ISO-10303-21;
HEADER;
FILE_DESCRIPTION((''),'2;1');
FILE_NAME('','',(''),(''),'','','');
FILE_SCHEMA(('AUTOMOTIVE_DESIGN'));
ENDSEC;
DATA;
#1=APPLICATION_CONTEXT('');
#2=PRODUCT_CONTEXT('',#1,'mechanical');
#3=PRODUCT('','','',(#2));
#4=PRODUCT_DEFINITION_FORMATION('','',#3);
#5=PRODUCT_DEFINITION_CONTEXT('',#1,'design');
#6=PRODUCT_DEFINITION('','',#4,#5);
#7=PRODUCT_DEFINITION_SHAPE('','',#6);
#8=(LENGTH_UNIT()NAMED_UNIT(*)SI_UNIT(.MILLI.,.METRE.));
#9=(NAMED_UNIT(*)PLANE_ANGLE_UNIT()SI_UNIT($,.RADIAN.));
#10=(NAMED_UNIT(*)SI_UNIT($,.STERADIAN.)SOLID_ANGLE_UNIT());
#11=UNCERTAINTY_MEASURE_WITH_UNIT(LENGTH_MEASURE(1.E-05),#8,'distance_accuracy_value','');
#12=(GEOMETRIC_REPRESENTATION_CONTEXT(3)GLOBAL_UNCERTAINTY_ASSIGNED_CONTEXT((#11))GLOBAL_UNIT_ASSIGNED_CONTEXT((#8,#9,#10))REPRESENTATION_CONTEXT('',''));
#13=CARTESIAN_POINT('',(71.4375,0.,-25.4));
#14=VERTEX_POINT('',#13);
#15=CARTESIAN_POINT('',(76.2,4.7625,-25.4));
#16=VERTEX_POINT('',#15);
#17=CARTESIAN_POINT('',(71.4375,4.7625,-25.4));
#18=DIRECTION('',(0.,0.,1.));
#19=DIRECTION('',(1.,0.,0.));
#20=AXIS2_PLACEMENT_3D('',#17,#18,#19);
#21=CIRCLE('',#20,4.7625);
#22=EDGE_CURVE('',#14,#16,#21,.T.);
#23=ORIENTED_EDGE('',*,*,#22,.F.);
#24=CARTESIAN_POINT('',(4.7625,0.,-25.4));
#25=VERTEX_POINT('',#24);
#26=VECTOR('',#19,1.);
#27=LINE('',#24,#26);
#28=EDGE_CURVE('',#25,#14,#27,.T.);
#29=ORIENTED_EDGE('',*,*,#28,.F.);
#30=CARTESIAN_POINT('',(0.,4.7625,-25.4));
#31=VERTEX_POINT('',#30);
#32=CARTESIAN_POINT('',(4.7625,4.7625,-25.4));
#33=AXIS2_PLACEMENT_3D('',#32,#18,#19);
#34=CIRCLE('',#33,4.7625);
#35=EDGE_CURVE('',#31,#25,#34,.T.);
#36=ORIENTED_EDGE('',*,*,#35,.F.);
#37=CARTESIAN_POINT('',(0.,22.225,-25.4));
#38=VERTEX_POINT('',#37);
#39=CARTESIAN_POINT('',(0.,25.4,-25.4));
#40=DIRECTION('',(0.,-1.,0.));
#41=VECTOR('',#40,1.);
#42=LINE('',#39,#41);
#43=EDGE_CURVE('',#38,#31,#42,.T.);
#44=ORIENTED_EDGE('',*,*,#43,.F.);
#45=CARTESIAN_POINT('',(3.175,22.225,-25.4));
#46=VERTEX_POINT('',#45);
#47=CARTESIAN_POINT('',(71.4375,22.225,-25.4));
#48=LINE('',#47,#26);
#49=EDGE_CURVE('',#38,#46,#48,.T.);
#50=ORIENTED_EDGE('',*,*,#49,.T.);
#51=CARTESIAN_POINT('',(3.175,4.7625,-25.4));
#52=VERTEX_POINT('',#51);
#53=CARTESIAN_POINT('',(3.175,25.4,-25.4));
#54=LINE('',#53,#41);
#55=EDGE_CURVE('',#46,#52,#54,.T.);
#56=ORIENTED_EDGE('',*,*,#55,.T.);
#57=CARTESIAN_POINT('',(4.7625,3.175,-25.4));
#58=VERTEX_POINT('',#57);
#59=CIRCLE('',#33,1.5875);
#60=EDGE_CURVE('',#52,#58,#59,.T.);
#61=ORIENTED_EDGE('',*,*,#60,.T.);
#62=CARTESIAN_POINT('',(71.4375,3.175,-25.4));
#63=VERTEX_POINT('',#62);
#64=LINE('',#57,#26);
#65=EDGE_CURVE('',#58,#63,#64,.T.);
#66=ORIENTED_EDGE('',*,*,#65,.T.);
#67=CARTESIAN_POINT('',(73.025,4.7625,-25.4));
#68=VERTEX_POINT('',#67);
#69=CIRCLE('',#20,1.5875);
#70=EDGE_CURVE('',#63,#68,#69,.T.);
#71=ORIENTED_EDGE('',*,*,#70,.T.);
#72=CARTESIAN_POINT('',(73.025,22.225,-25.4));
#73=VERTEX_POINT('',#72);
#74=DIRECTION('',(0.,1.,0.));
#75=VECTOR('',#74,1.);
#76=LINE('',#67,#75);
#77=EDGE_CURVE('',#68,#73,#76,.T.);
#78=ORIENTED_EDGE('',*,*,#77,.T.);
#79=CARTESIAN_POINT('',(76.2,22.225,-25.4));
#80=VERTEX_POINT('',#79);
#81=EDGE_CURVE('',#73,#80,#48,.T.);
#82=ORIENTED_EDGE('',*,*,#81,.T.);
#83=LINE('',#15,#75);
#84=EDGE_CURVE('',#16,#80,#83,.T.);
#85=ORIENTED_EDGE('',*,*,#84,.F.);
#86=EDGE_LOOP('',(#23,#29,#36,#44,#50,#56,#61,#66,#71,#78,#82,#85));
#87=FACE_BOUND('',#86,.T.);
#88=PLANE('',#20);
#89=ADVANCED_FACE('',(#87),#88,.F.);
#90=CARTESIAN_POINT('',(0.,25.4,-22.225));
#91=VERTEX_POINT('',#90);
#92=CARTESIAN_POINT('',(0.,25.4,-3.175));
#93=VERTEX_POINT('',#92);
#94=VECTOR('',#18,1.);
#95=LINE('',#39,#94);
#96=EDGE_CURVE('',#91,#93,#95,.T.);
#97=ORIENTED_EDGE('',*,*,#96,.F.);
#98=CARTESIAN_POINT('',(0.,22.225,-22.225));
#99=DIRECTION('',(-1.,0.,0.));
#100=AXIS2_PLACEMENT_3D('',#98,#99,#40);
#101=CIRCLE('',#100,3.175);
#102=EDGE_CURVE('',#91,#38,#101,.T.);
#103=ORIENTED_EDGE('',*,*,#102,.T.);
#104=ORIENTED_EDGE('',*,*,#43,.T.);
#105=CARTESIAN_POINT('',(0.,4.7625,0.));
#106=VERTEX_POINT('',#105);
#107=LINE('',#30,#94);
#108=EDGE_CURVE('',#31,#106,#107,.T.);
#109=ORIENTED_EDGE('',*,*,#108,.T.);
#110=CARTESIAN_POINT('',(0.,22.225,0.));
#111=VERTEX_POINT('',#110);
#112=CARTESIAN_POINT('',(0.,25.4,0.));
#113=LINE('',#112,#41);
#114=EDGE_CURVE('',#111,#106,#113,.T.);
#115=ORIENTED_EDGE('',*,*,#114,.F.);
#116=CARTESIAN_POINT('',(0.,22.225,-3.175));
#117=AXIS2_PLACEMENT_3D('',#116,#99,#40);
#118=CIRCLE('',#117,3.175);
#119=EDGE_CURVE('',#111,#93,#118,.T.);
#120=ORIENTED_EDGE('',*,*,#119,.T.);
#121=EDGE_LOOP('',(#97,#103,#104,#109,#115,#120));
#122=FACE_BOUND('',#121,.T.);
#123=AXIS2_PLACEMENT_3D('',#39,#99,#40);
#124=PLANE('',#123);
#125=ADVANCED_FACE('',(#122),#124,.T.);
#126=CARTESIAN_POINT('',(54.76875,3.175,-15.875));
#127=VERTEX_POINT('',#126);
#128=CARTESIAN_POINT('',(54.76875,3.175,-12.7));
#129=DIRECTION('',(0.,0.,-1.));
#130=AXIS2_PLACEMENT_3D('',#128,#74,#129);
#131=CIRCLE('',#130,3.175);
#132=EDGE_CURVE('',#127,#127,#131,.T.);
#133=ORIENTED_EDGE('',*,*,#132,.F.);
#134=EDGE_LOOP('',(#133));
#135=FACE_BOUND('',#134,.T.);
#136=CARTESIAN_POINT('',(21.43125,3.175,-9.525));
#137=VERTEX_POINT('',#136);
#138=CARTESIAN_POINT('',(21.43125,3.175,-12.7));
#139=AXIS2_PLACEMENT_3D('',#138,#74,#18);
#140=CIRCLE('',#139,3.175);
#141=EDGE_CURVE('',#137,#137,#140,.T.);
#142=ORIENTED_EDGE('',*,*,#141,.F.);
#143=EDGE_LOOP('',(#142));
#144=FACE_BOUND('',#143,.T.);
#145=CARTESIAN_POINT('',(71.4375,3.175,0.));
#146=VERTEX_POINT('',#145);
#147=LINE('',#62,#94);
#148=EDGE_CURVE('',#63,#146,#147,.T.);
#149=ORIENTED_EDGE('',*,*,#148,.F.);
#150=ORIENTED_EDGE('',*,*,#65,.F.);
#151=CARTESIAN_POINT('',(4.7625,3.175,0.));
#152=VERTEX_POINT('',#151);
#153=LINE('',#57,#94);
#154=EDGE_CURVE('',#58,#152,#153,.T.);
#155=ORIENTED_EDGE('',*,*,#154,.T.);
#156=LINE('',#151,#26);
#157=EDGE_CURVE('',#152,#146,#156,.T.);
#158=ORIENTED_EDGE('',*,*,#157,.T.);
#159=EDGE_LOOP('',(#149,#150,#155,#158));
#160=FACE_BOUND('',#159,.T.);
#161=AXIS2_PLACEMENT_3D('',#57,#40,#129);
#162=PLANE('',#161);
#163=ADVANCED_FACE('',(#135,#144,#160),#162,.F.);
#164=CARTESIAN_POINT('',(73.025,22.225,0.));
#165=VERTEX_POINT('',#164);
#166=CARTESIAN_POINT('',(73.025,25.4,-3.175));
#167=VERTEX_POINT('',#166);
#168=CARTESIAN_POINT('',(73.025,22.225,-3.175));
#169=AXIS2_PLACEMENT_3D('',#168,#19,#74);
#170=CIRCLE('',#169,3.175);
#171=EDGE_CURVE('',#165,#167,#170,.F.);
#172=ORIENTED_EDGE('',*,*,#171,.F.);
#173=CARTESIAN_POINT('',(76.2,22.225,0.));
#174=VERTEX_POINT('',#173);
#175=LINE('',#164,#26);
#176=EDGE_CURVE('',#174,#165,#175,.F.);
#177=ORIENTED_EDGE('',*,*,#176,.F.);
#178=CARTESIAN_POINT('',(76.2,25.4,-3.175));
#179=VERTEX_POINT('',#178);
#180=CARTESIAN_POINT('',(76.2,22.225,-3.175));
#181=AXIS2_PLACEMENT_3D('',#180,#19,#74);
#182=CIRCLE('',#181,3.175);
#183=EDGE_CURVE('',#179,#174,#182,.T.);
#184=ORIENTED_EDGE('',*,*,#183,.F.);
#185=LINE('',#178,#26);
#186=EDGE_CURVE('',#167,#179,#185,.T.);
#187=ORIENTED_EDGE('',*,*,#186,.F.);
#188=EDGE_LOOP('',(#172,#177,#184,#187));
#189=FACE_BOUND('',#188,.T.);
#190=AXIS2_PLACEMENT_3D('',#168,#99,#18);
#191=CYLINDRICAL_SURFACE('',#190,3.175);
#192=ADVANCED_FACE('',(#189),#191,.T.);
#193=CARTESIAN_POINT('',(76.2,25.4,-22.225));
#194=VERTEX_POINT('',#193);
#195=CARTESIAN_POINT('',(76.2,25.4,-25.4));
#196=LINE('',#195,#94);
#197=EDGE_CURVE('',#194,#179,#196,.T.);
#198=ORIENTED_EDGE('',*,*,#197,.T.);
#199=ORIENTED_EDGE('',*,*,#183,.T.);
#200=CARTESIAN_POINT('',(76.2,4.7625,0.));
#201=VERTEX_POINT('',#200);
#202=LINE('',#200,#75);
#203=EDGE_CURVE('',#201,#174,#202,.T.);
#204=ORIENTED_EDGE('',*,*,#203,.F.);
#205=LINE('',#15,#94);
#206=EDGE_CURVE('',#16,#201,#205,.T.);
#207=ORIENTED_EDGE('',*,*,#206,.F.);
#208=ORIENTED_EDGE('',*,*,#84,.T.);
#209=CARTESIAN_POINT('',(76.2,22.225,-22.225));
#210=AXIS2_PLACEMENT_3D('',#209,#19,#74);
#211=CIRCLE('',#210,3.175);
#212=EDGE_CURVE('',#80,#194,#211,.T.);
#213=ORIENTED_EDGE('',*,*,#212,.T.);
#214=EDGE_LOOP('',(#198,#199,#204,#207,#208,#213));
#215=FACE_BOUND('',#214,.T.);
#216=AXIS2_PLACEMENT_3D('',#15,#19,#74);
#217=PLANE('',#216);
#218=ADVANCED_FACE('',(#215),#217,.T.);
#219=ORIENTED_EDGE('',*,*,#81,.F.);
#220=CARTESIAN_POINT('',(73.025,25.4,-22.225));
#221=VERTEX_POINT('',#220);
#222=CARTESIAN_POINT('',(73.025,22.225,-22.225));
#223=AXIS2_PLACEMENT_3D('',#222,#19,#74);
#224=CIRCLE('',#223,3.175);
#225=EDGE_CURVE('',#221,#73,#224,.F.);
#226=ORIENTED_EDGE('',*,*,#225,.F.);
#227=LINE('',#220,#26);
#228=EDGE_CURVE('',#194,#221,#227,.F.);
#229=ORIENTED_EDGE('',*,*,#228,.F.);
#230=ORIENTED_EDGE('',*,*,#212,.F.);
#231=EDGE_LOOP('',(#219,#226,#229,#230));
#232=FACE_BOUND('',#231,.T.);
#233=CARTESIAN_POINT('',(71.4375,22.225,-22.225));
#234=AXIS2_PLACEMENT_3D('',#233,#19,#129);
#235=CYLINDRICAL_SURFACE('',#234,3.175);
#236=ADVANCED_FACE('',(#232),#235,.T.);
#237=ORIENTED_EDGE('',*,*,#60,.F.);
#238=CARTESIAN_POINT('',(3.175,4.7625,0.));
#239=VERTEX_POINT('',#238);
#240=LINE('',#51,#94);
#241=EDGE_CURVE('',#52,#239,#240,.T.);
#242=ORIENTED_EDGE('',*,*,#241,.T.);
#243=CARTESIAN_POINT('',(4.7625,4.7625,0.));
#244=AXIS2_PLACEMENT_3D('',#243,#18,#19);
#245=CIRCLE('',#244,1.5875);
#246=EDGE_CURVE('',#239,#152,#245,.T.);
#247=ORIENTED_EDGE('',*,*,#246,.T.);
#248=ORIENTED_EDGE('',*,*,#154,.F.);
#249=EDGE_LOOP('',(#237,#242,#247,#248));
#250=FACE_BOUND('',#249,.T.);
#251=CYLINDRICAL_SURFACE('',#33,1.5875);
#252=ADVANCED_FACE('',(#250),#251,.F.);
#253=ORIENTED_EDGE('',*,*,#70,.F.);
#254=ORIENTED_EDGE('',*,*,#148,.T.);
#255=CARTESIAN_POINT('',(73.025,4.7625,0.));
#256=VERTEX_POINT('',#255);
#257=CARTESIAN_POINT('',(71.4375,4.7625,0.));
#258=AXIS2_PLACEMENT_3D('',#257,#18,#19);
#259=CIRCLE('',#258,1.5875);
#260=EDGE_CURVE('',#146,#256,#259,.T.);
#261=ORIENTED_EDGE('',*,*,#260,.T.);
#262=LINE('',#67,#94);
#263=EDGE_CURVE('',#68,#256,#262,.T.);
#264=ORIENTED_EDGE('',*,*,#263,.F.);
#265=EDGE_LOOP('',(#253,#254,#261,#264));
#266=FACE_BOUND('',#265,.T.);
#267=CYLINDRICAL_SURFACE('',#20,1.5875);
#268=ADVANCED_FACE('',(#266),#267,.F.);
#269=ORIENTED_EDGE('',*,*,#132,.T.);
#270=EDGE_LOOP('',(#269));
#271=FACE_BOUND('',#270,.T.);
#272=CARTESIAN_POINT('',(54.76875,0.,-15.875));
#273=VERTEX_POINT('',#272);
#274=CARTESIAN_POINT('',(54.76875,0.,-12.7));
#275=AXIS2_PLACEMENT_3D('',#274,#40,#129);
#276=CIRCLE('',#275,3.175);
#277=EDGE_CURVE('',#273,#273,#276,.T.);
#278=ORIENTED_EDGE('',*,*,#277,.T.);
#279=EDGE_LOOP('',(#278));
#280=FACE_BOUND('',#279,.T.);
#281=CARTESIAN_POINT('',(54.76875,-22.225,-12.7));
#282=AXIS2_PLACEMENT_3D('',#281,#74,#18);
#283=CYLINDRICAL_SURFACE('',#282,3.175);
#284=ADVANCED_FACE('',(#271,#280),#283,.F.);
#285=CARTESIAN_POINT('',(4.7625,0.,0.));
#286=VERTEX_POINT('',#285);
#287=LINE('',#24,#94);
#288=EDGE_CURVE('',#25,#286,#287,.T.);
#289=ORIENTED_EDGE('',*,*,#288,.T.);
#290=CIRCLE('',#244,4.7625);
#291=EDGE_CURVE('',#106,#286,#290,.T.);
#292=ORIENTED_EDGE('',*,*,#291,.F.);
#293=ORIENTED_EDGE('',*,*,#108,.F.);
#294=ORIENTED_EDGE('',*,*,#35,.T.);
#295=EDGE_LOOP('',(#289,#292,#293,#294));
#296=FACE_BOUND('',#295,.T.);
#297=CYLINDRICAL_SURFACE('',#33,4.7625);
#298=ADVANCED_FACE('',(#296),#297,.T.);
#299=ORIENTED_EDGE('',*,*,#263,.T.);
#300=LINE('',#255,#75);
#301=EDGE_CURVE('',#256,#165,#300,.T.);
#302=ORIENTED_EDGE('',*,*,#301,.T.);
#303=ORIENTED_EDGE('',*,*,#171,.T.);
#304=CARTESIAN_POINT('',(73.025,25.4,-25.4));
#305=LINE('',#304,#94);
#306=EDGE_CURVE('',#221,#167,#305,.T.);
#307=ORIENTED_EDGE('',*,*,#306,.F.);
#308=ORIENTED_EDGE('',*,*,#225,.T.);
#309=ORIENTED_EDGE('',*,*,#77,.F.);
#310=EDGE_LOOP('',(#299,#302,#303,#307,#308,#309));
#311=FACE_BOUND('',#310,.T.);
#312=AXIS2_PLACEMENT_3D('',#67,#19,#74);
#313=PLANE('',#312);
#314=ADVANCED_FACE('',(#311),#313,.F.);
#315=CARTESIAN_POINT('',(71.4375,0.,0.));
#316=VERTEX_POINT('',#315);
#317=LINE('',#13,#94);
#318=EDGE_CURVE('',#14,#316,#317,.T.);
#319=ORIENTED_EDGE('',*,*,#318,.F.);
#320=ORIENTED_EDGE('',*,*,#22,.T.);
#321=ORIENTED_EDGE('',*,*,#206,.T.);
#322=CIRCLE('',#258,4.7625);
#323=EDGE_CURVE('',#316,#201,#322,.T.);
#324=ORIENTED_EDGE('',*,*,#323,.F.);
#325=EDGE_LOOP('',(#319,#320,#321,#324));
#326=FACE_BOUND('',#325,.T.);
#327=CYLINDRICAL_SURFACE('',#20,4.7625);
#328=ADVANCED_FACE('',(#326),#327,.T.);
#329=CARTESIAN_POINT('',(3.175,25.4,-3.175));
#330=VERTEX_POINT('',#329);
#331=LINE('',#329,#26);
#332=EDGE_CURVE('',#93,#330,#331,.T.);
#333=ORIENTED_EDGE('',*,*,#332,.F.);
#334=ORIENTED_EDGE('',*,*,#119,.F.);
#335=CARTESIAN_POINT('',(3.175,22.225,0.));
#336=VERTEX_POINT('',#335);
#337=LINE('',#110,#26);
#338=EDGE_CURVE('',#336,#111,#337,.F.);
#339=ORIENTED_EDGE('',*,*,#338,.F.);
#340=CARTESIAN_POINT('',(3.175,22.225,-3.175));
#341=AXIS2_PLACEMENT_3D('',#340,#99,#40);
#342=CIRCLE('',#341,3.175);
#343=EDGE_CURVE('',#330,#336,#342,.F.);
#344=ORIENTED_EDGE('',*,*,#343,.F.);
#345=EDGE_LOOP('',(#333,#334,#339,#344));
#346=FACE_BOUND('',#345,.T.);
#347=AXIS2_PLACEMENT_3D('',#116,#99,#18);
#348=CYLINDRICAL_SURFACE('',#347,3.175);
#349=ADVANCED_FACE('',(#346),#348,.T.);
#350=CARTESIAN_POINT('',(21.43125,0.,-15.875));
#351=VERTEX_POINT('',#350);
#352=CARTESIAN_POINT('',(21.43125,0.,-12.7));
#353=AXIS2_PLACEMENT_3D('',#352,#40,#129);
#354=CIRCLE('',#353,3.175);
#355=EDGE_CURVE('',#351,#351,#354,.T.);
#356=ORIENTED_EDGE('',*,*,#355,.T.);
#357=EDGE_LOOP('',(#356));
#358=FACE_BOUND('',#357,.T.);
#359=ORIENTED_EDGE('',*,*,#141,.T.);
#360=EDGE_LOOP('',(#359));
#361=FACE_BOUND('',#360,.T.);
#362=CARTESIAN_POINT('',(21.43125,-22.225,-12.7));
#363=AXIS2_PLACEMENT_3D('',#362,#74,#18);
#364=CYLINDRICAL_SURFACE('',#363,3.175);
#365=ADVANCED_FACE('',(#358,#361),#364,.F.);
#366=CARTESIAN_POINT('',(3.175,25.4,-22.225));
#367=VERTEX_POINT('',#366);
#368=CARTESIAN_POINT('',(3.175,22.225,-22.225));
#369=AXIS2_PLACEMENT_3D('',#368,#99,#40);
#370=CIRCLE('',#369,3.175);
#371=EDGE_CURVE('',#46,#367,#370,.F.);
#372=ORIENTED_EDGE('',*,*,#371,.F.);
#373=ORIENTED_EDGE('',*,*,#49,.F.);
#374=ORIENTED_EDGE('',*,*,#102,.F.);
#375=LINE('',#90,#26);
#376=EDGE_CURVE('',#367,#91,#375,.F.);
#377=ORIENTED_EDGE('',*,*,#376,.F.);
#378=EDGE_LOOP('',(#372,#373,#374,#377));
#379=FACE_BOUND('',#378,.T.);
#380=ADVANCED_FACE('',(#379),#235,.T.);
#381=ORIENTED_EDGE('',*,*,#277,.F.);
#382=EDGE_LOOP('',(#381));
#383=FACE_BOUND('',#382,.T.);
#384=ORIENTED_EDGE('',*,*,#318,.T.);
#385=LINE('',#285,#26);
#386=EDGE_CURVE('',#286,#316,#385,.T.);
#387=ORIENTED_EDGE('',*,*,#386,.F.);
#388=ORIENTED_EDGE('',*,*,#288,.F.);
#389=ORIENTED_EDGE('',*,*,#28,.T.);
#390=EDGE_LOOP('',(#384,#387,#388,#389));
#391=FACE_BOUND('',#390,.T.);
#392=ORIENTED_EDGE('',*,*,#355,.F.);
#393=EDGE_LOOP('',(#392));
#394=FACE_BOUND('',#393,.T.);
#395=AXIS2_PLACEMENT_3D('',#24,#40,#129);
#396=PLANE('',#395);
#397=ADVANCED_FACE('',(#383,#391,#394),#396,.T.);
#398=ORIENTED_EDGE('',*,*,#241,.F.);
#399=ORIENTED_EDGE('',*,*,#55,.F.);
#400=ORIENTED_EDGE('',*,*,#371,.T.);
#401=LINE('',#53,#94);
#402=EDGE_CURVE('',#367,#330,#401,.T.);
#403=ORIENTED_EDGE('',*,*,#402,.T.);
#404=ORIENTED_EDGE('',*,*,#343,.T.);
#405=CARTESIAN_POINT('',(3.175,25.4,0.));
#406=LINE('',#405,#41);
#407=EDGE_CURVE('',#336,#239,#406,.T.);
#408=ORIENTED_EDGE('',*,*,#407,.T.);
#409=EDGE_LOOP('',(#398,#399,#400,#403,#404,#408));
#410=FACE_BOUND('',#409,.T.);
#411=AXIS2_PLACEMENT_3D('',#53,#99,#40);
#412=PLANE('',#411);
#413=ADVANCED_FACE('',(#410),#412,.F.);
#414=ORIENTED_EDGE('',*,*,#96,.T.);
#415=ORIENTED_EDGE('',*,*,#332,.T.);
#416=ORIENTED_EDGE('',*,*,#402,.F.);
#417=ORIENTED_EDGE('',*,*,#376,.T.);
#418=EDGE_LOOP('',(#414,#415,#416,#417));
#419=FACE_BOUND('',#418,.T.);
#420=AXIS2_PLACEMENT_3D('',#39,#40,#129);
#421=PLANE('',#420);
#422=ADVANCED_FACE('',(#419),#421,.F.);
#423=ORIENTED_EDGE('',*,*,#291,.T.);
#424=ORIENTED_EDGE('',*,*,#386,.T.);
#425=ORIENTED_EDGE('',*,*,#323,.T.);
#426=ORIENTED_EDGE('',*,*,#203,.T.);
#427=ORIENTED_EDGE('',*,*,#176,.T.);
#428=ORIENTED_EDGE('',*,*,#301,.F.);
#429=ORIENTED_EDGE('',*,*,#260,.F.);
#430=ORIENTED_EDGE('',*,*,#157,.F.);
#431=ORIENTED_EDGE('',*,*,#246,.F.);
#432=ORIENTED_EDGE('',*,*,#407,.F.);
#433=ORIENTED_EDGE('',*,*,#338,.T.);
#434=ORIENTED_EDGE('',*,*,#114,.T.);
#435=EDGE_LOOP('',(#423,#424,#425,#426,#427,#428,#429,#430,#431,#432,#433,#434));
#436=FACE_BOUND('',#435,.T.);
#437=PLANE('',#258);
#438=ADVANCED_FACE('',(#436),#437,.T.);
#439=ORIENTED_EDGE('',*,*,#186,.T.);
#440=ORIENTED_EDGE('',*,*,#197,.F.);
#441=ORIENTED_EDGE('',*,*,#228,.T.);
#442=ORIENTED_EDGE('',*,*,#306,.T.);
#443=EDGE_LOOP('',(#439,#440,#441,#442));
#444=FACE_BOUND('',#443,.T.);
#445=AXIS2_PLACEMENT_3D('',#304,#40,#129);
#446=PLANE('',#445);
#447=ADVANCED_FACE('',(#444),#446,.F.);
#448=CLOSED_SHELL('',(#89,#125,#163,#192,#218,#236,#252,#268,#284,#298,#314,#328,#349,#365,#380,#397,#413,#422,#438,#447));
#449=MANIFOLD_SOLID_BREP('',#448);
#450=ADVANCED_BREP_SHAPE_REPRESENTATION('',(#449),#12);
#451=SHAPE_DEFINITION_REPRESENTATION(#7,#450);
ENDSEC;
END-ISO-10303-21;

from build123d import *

# Parameters (mm, degrees)
EXTRUDE_THIN1_DEPTH = 25.4
FILLET1_R           = 3.175
SKETCH2_R           = 3.175
EXTRUDE1_DEPTH      = 25.4


with BuildPart() as part:
    # Sketch1 → Extrude-Thin1 (new body)
    with BuildSketch(Plane.XY):
        with BuildLine():
            Line((0, 25.4), (0, 4.7625))
            ThreePointArc((0, 4.7625), (1.394903955, 1.394903955), (4.7625, 0))
            Line((4.7625, 0), (71.4375, 0))
            ThreePointArc((71.4375, 0), (74.805096045, 1.394903955), (76.2, 4.7625))
            Line((76.2, 4.7625), (76.2, 25.4))
            Line((76.2, 25.4), (73.025, 25.4))
            Line((73.025, 25.4), (73.025, 4.7625))
            ThreePointArc((73.025, 4.7625), (72.560032015, 3.639967985), (71.4375, 3.175))
            Line((71.4375, 3.175), (4.7625, 3.175))
            ThreePointArc((4.7625, 3.175), (3.639967985, 3.639967985), (3.175, 4.7625))
            Line((3.175, 4.7625), (3.175, 25.4))
            Line((3.175, 25.4), (0, 25.4))
        make_face()
    extrude(amount=-EXTRUDE_THIN1_DEPTH)

    # Fillet1
    fillet1_edges = [part.edges().sort_by_distance(p)[0] for p in [
        (1.5875, 25.4, 0),
        (74.6125, 25.4, 0),
        (1.5875, 25.4, -25.4),
        (74.6125, 25.4, -25.4),
    ]]
    fillet(fillet1_edges, radius=FILLET1_R)

    # Sketch2 → Extrude1 (cut)
    with BuildSketch(Plane(origin=(0, 3.175, 0), x_dir=(-1, 0, 0), z_dir=(0, 1, 0))):
        with Locations(Location((-21.43125, -12.7, 0), (0, 0, 90))):
            Circle(SKETCH2_R)
        with Locations(Location((-54.76875, -12.7, 0), (0, 0, 270))):
            Circle(SKETCH2_R)
    extrude(amount=-EXTRUDE1_DEPTH, mode=Mode.SUBTRACT)


solid = part.part
